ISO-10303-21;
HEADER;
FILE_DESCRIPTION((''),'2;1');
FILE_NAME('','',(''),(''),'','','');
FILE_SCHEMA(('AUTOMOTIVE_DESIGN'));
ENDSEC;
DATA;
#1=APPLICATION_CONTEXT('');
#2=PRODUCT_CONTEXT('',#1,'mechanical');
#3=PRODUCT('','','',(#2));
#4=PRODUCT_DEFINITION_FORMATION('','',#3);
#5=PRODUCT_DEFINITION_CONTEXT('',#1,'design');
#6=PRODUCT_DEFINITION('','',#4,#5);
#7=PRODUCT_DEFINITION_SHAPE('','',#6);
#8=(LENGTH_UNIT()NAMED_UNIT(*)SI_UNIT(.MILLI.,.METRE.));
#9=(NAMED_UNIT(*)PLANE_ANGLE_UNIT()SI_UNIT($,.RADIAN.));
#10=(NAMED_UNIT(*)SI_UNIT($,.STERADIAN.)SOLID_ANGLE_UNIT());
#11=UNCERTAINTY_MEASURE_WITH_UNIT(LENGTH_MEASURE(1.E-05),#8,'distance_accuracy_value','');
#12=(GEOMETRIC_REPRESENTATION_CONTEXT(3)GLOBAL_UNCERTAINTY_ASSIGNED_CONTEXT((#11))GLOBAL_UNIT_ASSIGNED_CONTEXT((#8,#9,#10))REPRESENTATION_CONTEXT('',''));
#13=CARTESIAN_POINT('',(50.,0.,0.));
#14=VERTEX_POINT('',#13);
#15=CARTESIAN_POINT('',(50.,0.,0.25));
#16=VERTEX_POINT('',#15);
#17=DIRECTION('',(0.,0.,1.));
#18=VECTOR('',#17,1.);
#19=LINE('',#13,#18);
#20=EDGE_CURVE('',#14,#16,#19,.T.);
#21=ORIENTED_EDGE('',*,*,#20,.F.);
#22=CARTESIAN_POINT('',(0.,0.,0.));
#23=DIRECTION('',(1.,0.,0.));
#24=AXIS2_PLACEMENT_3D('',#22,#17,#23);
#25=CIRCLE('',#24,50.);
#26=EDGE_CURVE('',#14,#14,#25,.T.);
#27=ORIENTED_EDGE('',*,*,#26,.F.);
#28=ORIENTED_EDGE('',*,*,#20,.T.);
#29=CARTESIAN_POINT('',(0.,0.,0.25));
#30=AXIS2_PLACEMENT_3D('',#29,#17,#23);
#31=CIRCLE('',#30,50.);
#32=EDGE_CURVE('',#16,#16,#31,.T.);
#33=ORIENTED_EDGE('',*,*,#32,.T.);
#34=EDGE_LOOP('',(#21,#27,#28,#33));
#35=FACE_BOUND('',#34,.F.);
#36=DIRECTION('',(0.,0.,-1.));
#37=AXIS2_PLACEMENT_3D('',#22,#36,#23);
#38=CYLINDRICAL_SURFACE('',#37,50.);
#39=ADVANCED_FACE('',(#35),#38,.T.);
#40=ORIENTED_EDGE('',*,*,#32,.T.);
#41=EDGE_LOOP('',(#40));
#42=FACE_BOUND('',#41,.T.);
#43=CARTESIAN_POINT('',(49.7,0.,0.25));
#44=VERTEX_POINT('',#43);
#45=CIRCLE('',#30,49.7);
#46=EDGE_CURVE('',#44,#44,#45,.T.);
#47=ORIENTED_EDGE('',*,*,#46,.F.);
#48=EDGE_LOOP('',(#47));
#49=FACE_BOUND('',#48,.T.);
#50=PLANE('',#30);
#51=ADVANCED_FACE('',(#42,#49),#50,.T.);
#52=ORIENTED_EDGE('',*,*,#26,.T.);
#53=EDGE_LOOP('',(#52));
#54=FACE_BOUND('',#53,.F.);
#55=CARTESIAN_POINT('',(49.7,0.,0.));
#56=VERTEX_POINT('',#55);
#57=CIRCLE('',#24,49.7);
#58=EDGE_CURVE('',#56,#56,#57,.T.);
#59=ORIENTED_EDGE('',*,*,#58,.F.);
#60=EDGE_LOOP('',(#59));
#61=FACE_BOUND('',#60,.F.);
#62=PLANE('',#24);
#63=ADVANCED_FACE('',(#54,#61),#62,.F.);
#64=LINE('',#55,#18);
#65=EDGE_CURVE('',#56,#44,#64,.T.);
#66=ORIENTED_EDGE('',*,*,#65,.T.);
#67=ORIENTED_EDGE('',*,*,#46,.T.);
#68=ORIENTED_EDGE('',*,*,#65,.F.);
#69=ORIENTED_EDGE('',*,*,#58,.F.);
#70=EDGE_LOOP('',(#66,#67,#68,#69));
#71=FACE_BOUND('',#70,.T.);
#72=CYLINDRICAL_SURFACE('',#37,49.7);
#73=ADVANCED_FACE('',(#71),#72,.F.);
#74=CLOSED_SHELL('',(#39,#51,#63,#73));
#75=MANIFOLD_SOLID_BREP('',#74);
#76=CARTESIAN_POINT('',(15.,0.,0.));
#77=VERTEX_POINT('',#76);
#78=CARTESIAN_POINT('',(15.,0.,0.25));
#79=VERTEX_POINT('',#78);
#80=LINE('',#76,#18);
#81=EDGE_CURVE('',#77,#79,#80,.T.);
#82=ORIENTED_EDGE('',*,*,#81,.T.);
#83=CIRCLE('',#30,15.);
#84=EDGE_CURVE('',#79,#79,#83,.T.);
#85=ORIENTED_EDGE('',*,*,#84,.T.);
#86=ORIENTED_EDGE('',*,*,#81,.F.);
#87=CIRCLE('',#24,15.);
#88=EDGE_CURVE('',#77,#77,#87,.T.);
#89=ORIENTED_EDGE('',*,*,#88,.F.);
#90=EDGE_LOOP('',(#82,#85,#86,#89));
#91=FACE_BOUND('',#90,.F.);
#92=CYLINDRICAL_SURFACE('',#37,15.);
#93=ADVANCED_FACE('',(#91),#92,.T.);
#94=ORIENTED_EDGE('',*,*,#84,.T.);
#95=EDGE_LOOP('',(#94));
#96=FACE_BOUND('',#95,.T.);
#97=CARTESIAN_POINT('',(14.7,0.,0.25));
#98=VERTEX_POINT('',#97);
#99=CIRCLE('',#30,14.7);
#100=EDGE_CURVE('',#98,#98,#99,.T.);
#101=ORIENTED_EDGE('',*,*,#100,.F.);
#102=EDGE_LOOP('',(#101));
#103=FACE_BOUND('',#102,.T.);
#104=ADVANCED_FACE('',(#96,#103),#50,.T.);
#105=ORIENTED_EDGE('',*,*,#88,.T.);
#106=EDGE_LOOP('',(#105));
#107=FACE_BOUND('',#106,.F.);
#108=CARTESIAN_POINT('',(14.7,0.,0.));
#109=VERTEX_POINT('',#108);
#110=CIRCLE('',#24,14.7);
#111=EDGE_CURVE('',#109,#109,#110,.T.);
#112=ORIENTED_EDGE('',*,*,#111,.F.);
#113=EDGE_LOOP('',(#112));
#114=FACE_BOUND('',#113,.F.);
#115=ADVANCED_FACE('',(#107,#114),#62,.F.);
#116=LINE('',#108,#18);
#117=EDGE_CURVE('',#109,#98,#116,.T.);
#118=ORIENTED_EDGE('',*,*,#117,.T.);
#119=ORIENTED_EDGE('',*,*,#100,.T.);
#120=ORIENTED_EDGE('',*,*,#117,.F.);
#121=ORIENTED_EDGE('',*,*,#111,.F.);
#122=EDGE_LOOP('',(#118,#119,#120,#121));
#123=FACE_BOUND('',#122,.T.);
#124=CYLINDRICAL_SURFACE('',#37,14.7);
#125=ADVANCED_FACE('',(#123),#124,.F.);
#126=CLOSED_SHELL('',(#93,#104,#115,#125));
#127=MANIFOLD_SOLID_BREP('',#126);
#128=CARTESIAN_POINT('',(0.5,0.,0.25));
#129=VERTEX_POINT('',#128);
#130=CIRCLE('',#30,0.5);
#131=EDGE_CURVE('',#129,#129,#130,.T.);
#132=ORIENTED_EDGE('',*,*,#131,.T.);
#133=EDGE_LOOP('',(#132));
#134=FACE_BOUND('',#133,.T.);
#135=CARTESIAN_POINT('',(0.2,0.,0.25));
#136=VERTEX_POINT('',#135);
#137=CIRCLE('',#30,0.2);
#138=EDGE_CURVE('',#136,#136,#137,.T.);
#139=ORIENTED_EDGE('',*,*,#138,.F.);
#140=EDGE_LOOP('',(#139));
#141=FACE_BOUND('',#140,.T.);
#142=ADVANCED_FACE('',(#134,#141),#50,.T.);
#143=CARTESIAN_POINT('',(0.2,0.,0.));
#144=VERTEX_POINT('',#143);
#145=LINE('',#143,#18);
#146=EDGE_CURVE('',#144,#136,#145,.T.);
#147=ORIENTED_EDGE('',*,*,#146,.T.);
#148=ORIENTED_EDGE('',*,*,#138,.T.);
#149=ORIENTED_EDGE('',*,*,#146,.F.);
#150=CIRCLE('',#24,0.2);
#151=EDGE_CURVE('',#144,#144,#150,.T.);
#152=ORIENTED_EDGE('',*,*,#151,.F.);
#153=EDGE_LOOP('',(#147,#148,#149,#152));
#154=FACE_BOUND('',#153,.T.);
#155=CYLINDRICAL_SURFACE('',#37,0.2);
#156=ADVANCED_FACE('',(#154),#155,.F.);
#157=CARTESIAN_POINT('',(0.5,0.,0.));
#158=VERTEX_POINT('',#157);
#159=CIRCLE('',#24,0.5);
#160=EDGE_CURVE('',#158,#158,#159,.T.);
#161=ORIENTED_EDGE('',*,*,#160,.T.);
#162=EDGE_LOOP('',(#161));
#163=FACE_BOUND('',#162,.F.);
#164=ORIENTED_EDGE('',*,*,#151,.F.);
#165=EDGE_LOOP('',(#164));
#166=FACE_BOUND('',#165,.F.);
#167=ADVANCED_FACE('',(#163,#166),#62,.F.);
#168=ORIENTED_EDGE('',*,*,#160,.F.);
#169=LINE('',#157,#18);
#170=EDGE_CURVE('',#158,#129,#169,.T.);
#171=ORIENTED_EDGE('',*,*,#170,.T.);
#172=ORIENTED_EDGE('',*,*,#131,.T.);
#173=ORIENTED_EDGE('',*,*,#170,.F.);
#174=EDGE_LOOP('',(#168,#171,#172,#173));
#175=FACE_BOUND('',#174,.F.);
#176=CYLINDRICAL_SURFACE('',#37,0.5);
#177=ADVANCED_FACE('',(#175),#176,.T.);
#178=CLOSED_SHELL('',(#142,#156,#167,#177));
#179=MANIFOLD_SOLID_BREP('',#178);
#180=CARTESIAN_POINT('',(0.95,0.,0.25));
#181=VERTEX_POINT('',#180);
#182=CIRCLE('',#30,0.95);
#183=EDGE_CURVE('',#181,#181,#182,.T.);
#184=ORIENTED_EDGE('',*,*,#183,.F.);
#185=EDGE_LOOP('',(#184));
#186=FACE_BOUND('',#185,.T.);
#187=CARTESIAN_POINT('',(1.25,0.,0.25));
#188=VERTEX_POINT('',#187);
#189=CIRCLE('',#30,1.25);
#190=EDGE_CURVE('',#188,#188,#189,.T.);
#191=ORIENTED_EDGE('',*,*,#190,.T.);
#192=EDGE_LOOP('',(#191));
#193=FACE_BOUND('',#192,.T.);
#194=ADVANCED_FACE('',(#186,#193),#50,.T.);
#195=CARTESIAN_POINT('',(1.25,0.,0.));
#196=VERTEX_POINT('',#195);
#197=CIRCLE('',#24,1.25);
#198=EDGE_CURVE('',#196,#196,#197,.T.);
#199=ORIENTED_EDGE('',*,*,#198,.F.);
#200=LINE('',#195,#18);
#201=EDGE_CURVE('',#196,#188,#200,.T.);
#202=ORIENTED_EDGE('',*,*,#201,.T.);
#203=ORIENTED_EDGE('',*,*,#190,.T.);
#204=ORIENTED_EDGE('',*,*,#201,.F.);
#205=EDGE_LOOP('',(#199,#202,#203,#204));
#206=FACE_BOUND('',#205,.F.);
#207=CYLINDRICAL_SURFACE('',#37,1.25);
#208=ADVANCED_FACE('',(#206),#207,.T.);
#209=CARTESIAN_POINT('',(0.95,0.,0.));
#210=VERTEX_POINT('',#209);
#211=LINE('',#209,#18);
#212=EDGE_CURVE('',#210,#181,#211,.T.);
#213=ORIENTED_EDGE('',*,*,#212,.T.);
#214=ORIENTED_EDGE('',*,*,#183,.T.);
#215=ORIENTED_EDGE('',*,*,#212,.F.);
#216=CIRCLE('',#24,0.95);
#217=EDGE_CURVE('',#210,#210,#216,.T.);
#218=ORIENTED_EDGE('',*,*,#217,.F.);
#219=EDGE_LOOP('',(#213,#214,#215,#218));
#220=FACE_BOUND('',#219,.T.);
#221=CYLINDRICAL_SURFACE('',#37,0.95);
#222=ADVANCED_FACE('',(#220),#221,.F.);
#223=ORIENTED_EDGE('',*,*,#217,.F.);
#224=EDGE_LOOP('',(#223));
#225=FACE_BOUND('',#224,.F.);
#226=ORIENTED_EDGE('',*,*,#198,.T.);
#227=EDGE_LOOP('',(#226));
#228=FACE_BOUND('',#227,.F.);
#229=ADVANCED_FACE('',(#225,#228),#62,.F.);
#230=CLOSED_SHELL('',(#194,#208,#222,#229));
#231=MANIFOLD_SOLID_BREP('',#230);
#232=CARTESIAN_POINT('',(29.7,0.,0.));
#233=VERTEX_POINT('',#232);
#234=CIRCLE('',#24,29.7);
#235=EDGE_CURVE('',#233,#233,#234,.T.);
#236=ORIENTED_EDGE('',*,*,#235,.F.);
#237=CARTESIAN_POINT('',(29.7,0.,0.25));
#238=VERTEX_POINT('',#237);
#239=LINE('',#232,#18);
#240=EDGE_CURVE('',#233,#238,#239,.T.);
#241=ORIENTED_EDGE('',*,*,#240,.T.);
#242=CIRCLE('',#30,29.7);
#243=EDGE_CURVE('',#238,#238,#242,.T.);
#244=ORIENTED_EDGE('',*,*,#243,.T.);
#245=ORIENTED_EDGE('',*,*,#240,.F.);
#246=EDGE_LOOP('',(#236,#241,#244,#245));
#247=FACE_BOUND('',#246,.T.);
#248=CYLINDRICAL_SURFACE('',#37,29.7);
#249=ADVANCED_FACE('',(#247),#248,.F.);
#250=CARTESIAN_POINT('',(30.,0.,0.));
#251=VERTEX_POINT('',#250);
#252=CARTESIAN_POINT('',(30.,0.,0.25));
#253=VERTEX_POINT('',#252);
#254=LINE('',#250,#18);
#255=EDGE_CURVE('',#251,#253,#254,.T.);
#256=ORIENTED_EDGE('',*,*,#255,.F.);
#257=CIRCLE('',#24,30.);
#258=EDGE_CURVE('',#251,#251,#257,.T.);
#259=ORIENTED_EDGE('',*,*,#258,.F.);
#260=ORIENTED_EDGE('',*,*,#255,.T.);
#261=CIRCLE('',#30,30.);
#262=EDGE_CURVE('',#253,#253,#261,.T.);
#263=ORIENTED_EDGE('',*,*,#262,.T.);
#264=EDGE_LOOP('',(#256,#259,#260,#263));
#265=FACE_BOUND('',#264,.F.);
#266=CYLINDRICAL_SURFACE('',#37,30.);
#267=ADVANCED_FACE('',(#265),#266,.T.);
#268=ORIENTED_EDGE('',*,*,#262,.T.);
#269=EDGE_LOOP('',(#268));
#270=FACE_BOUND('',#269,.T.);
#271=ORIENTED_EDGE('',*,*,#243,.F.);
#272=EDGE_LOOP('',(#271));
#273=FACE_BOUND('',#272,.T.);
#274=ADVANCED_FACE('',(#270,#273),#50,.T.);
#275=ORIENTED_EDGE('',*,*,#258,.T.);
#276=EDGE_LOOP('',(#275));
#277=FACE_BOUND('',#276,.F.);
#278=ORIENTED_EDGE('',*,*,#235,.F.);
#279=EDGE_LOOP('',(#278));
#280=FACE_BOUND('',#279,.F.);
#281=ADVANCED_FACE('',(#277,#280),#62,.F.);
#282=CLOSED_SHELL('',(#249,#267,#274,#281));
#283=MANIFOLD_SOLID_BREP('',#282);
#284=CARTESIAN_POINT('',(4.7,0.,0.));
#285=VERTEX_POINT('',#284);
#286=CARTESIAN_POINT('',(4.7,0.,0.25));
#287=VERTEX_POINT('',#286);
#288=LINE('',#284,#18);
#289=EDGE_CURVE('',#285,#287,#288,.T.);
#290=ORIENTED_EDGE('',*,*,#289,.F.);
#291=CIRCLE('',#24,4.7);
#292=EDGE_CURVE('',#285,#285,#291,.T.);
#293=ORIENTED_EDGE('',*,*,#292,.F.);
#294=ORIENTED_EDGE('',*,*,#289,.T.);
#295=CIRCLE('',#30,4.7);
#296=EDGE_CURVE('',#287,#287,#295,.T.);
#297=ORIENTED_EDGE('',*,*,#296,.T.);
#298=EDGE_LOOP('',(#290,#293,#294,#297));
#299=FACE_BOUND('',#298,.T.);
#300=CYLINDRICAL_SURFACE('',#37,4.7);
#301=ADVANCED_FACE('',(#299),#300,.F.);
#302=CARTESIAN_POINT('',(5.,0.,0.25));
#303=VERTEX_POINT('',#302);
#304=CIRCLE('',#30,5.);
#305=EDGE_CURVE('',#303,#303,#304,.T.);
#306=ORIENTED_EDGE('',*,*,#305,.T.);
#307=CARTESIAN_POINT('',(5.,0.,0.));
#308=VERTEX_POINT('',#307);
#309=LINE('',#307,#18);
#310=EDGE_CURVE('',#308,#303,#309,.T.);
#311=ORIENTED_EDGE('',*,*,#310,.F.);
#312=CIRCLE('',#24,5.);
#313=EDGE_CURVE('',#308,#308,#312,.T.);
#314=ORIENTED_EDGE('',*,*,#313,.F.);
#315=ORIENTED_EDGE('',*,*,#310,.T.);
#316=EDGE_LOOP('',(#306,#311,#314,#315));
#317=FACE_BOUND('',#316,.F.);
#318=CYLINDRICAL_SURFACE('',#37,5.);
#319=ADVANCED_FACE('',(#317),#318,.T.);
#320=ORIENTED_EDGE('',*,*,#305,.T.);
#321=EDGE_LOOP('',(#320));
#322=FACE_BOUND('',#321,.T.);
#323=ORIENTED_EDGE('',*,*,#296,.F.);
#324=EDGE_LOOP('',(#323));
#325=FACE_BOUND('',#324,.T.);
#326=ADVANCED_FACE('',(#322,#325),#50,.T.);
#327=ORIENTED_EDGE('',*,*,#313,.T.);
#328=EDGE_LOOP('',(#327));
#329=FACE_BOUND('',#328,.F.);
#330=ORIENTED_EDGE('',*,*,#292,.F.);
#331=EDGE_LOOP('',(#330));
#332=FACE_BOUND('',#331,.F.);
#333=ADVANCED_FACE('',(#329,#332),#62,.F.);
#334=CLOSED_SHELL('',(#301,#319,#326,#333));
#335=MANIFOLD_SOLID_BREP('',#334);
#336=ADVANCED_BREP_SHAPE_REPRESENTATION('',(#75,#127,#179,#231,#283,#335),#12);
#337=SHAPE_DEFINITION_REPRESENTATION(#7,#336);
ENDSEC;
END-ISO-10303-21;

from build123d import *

# Parameters (mm, degrees)
F0_R     = 30
F0_R_2   = 29.7
F1_DEPTH = 0.25
F0_R_3   = 15
F0_R_4   = 14.7
F0_R_5   = 5
F0_R_6   = 4.7
F0_R_7   = 1.25
F0_R_8   = 0.95
F0_R_9   = 0.5
F0_R_10  = 0.2
F0_R_11  = 50
F0_R_12  = 49.7


with BuildPart() as f1:
    # F0 (on Top) → F1 (new body)
    with BuildSketch(Plane.XY):
        Circle(F0_R)
        Circle(F0_R_2, mode=Mode.SUBTRACT)
    extrude(amount=F1_DEPTH)


with BuildPart() as f1b:
    # F0 (on Top) → F1, piece 2 (new body)
    with BuildSketch(Plane.XY):
        Circle(F0_R_3)
        Circle(F0_R_4, mode=Mode.SUBTRACT)
    extrude(amount=F1_DEPTH)


with BuildPart() as f1c:
    # F0 (on Top) → F1, piece 3 (new body)
    with BuildSketch(Plane.XY):
        Circle(F0_R_5)
        Circle(F0_R_6, mode=Mode.SUBTRACT)
    extrude(amount=F1_DEPTH)


with BuildPart() as f1d:
    # F0 (on Top) → F1, piece 4 (new body)
    with BuildSketch(Plane.XY):
        Circle(F0_R_7)
        Circle(F0_R_8, mode=Mode.SUBTRACT)
    extrude(amount=F1_DEPTH)


with BuildPart() as f1e:
    # F0 (on Top) → F1, piece 5 (new body)
    with BuildSketch(Plane.XY):
        Circle(F0_R_9)
        Circle(F0_R_10, mode=Mode.SUBTRACT)
    extrude(amount=F1_DEPTH)


with BuildPart() as f1f:
    # F0 (on Top) → F1, piece 6 (new body)
    with BuildSketch(Plane.XY):
        Circle(F0_R_11)
        Circle(F0_R_12, mode=Mode.SUBTRACT)
    extrude(amount=F1_DEPTH)


solid = Compound([f1.part, f1b.part, f1c.part, f1d.part, f1e.part, f1f.part])
